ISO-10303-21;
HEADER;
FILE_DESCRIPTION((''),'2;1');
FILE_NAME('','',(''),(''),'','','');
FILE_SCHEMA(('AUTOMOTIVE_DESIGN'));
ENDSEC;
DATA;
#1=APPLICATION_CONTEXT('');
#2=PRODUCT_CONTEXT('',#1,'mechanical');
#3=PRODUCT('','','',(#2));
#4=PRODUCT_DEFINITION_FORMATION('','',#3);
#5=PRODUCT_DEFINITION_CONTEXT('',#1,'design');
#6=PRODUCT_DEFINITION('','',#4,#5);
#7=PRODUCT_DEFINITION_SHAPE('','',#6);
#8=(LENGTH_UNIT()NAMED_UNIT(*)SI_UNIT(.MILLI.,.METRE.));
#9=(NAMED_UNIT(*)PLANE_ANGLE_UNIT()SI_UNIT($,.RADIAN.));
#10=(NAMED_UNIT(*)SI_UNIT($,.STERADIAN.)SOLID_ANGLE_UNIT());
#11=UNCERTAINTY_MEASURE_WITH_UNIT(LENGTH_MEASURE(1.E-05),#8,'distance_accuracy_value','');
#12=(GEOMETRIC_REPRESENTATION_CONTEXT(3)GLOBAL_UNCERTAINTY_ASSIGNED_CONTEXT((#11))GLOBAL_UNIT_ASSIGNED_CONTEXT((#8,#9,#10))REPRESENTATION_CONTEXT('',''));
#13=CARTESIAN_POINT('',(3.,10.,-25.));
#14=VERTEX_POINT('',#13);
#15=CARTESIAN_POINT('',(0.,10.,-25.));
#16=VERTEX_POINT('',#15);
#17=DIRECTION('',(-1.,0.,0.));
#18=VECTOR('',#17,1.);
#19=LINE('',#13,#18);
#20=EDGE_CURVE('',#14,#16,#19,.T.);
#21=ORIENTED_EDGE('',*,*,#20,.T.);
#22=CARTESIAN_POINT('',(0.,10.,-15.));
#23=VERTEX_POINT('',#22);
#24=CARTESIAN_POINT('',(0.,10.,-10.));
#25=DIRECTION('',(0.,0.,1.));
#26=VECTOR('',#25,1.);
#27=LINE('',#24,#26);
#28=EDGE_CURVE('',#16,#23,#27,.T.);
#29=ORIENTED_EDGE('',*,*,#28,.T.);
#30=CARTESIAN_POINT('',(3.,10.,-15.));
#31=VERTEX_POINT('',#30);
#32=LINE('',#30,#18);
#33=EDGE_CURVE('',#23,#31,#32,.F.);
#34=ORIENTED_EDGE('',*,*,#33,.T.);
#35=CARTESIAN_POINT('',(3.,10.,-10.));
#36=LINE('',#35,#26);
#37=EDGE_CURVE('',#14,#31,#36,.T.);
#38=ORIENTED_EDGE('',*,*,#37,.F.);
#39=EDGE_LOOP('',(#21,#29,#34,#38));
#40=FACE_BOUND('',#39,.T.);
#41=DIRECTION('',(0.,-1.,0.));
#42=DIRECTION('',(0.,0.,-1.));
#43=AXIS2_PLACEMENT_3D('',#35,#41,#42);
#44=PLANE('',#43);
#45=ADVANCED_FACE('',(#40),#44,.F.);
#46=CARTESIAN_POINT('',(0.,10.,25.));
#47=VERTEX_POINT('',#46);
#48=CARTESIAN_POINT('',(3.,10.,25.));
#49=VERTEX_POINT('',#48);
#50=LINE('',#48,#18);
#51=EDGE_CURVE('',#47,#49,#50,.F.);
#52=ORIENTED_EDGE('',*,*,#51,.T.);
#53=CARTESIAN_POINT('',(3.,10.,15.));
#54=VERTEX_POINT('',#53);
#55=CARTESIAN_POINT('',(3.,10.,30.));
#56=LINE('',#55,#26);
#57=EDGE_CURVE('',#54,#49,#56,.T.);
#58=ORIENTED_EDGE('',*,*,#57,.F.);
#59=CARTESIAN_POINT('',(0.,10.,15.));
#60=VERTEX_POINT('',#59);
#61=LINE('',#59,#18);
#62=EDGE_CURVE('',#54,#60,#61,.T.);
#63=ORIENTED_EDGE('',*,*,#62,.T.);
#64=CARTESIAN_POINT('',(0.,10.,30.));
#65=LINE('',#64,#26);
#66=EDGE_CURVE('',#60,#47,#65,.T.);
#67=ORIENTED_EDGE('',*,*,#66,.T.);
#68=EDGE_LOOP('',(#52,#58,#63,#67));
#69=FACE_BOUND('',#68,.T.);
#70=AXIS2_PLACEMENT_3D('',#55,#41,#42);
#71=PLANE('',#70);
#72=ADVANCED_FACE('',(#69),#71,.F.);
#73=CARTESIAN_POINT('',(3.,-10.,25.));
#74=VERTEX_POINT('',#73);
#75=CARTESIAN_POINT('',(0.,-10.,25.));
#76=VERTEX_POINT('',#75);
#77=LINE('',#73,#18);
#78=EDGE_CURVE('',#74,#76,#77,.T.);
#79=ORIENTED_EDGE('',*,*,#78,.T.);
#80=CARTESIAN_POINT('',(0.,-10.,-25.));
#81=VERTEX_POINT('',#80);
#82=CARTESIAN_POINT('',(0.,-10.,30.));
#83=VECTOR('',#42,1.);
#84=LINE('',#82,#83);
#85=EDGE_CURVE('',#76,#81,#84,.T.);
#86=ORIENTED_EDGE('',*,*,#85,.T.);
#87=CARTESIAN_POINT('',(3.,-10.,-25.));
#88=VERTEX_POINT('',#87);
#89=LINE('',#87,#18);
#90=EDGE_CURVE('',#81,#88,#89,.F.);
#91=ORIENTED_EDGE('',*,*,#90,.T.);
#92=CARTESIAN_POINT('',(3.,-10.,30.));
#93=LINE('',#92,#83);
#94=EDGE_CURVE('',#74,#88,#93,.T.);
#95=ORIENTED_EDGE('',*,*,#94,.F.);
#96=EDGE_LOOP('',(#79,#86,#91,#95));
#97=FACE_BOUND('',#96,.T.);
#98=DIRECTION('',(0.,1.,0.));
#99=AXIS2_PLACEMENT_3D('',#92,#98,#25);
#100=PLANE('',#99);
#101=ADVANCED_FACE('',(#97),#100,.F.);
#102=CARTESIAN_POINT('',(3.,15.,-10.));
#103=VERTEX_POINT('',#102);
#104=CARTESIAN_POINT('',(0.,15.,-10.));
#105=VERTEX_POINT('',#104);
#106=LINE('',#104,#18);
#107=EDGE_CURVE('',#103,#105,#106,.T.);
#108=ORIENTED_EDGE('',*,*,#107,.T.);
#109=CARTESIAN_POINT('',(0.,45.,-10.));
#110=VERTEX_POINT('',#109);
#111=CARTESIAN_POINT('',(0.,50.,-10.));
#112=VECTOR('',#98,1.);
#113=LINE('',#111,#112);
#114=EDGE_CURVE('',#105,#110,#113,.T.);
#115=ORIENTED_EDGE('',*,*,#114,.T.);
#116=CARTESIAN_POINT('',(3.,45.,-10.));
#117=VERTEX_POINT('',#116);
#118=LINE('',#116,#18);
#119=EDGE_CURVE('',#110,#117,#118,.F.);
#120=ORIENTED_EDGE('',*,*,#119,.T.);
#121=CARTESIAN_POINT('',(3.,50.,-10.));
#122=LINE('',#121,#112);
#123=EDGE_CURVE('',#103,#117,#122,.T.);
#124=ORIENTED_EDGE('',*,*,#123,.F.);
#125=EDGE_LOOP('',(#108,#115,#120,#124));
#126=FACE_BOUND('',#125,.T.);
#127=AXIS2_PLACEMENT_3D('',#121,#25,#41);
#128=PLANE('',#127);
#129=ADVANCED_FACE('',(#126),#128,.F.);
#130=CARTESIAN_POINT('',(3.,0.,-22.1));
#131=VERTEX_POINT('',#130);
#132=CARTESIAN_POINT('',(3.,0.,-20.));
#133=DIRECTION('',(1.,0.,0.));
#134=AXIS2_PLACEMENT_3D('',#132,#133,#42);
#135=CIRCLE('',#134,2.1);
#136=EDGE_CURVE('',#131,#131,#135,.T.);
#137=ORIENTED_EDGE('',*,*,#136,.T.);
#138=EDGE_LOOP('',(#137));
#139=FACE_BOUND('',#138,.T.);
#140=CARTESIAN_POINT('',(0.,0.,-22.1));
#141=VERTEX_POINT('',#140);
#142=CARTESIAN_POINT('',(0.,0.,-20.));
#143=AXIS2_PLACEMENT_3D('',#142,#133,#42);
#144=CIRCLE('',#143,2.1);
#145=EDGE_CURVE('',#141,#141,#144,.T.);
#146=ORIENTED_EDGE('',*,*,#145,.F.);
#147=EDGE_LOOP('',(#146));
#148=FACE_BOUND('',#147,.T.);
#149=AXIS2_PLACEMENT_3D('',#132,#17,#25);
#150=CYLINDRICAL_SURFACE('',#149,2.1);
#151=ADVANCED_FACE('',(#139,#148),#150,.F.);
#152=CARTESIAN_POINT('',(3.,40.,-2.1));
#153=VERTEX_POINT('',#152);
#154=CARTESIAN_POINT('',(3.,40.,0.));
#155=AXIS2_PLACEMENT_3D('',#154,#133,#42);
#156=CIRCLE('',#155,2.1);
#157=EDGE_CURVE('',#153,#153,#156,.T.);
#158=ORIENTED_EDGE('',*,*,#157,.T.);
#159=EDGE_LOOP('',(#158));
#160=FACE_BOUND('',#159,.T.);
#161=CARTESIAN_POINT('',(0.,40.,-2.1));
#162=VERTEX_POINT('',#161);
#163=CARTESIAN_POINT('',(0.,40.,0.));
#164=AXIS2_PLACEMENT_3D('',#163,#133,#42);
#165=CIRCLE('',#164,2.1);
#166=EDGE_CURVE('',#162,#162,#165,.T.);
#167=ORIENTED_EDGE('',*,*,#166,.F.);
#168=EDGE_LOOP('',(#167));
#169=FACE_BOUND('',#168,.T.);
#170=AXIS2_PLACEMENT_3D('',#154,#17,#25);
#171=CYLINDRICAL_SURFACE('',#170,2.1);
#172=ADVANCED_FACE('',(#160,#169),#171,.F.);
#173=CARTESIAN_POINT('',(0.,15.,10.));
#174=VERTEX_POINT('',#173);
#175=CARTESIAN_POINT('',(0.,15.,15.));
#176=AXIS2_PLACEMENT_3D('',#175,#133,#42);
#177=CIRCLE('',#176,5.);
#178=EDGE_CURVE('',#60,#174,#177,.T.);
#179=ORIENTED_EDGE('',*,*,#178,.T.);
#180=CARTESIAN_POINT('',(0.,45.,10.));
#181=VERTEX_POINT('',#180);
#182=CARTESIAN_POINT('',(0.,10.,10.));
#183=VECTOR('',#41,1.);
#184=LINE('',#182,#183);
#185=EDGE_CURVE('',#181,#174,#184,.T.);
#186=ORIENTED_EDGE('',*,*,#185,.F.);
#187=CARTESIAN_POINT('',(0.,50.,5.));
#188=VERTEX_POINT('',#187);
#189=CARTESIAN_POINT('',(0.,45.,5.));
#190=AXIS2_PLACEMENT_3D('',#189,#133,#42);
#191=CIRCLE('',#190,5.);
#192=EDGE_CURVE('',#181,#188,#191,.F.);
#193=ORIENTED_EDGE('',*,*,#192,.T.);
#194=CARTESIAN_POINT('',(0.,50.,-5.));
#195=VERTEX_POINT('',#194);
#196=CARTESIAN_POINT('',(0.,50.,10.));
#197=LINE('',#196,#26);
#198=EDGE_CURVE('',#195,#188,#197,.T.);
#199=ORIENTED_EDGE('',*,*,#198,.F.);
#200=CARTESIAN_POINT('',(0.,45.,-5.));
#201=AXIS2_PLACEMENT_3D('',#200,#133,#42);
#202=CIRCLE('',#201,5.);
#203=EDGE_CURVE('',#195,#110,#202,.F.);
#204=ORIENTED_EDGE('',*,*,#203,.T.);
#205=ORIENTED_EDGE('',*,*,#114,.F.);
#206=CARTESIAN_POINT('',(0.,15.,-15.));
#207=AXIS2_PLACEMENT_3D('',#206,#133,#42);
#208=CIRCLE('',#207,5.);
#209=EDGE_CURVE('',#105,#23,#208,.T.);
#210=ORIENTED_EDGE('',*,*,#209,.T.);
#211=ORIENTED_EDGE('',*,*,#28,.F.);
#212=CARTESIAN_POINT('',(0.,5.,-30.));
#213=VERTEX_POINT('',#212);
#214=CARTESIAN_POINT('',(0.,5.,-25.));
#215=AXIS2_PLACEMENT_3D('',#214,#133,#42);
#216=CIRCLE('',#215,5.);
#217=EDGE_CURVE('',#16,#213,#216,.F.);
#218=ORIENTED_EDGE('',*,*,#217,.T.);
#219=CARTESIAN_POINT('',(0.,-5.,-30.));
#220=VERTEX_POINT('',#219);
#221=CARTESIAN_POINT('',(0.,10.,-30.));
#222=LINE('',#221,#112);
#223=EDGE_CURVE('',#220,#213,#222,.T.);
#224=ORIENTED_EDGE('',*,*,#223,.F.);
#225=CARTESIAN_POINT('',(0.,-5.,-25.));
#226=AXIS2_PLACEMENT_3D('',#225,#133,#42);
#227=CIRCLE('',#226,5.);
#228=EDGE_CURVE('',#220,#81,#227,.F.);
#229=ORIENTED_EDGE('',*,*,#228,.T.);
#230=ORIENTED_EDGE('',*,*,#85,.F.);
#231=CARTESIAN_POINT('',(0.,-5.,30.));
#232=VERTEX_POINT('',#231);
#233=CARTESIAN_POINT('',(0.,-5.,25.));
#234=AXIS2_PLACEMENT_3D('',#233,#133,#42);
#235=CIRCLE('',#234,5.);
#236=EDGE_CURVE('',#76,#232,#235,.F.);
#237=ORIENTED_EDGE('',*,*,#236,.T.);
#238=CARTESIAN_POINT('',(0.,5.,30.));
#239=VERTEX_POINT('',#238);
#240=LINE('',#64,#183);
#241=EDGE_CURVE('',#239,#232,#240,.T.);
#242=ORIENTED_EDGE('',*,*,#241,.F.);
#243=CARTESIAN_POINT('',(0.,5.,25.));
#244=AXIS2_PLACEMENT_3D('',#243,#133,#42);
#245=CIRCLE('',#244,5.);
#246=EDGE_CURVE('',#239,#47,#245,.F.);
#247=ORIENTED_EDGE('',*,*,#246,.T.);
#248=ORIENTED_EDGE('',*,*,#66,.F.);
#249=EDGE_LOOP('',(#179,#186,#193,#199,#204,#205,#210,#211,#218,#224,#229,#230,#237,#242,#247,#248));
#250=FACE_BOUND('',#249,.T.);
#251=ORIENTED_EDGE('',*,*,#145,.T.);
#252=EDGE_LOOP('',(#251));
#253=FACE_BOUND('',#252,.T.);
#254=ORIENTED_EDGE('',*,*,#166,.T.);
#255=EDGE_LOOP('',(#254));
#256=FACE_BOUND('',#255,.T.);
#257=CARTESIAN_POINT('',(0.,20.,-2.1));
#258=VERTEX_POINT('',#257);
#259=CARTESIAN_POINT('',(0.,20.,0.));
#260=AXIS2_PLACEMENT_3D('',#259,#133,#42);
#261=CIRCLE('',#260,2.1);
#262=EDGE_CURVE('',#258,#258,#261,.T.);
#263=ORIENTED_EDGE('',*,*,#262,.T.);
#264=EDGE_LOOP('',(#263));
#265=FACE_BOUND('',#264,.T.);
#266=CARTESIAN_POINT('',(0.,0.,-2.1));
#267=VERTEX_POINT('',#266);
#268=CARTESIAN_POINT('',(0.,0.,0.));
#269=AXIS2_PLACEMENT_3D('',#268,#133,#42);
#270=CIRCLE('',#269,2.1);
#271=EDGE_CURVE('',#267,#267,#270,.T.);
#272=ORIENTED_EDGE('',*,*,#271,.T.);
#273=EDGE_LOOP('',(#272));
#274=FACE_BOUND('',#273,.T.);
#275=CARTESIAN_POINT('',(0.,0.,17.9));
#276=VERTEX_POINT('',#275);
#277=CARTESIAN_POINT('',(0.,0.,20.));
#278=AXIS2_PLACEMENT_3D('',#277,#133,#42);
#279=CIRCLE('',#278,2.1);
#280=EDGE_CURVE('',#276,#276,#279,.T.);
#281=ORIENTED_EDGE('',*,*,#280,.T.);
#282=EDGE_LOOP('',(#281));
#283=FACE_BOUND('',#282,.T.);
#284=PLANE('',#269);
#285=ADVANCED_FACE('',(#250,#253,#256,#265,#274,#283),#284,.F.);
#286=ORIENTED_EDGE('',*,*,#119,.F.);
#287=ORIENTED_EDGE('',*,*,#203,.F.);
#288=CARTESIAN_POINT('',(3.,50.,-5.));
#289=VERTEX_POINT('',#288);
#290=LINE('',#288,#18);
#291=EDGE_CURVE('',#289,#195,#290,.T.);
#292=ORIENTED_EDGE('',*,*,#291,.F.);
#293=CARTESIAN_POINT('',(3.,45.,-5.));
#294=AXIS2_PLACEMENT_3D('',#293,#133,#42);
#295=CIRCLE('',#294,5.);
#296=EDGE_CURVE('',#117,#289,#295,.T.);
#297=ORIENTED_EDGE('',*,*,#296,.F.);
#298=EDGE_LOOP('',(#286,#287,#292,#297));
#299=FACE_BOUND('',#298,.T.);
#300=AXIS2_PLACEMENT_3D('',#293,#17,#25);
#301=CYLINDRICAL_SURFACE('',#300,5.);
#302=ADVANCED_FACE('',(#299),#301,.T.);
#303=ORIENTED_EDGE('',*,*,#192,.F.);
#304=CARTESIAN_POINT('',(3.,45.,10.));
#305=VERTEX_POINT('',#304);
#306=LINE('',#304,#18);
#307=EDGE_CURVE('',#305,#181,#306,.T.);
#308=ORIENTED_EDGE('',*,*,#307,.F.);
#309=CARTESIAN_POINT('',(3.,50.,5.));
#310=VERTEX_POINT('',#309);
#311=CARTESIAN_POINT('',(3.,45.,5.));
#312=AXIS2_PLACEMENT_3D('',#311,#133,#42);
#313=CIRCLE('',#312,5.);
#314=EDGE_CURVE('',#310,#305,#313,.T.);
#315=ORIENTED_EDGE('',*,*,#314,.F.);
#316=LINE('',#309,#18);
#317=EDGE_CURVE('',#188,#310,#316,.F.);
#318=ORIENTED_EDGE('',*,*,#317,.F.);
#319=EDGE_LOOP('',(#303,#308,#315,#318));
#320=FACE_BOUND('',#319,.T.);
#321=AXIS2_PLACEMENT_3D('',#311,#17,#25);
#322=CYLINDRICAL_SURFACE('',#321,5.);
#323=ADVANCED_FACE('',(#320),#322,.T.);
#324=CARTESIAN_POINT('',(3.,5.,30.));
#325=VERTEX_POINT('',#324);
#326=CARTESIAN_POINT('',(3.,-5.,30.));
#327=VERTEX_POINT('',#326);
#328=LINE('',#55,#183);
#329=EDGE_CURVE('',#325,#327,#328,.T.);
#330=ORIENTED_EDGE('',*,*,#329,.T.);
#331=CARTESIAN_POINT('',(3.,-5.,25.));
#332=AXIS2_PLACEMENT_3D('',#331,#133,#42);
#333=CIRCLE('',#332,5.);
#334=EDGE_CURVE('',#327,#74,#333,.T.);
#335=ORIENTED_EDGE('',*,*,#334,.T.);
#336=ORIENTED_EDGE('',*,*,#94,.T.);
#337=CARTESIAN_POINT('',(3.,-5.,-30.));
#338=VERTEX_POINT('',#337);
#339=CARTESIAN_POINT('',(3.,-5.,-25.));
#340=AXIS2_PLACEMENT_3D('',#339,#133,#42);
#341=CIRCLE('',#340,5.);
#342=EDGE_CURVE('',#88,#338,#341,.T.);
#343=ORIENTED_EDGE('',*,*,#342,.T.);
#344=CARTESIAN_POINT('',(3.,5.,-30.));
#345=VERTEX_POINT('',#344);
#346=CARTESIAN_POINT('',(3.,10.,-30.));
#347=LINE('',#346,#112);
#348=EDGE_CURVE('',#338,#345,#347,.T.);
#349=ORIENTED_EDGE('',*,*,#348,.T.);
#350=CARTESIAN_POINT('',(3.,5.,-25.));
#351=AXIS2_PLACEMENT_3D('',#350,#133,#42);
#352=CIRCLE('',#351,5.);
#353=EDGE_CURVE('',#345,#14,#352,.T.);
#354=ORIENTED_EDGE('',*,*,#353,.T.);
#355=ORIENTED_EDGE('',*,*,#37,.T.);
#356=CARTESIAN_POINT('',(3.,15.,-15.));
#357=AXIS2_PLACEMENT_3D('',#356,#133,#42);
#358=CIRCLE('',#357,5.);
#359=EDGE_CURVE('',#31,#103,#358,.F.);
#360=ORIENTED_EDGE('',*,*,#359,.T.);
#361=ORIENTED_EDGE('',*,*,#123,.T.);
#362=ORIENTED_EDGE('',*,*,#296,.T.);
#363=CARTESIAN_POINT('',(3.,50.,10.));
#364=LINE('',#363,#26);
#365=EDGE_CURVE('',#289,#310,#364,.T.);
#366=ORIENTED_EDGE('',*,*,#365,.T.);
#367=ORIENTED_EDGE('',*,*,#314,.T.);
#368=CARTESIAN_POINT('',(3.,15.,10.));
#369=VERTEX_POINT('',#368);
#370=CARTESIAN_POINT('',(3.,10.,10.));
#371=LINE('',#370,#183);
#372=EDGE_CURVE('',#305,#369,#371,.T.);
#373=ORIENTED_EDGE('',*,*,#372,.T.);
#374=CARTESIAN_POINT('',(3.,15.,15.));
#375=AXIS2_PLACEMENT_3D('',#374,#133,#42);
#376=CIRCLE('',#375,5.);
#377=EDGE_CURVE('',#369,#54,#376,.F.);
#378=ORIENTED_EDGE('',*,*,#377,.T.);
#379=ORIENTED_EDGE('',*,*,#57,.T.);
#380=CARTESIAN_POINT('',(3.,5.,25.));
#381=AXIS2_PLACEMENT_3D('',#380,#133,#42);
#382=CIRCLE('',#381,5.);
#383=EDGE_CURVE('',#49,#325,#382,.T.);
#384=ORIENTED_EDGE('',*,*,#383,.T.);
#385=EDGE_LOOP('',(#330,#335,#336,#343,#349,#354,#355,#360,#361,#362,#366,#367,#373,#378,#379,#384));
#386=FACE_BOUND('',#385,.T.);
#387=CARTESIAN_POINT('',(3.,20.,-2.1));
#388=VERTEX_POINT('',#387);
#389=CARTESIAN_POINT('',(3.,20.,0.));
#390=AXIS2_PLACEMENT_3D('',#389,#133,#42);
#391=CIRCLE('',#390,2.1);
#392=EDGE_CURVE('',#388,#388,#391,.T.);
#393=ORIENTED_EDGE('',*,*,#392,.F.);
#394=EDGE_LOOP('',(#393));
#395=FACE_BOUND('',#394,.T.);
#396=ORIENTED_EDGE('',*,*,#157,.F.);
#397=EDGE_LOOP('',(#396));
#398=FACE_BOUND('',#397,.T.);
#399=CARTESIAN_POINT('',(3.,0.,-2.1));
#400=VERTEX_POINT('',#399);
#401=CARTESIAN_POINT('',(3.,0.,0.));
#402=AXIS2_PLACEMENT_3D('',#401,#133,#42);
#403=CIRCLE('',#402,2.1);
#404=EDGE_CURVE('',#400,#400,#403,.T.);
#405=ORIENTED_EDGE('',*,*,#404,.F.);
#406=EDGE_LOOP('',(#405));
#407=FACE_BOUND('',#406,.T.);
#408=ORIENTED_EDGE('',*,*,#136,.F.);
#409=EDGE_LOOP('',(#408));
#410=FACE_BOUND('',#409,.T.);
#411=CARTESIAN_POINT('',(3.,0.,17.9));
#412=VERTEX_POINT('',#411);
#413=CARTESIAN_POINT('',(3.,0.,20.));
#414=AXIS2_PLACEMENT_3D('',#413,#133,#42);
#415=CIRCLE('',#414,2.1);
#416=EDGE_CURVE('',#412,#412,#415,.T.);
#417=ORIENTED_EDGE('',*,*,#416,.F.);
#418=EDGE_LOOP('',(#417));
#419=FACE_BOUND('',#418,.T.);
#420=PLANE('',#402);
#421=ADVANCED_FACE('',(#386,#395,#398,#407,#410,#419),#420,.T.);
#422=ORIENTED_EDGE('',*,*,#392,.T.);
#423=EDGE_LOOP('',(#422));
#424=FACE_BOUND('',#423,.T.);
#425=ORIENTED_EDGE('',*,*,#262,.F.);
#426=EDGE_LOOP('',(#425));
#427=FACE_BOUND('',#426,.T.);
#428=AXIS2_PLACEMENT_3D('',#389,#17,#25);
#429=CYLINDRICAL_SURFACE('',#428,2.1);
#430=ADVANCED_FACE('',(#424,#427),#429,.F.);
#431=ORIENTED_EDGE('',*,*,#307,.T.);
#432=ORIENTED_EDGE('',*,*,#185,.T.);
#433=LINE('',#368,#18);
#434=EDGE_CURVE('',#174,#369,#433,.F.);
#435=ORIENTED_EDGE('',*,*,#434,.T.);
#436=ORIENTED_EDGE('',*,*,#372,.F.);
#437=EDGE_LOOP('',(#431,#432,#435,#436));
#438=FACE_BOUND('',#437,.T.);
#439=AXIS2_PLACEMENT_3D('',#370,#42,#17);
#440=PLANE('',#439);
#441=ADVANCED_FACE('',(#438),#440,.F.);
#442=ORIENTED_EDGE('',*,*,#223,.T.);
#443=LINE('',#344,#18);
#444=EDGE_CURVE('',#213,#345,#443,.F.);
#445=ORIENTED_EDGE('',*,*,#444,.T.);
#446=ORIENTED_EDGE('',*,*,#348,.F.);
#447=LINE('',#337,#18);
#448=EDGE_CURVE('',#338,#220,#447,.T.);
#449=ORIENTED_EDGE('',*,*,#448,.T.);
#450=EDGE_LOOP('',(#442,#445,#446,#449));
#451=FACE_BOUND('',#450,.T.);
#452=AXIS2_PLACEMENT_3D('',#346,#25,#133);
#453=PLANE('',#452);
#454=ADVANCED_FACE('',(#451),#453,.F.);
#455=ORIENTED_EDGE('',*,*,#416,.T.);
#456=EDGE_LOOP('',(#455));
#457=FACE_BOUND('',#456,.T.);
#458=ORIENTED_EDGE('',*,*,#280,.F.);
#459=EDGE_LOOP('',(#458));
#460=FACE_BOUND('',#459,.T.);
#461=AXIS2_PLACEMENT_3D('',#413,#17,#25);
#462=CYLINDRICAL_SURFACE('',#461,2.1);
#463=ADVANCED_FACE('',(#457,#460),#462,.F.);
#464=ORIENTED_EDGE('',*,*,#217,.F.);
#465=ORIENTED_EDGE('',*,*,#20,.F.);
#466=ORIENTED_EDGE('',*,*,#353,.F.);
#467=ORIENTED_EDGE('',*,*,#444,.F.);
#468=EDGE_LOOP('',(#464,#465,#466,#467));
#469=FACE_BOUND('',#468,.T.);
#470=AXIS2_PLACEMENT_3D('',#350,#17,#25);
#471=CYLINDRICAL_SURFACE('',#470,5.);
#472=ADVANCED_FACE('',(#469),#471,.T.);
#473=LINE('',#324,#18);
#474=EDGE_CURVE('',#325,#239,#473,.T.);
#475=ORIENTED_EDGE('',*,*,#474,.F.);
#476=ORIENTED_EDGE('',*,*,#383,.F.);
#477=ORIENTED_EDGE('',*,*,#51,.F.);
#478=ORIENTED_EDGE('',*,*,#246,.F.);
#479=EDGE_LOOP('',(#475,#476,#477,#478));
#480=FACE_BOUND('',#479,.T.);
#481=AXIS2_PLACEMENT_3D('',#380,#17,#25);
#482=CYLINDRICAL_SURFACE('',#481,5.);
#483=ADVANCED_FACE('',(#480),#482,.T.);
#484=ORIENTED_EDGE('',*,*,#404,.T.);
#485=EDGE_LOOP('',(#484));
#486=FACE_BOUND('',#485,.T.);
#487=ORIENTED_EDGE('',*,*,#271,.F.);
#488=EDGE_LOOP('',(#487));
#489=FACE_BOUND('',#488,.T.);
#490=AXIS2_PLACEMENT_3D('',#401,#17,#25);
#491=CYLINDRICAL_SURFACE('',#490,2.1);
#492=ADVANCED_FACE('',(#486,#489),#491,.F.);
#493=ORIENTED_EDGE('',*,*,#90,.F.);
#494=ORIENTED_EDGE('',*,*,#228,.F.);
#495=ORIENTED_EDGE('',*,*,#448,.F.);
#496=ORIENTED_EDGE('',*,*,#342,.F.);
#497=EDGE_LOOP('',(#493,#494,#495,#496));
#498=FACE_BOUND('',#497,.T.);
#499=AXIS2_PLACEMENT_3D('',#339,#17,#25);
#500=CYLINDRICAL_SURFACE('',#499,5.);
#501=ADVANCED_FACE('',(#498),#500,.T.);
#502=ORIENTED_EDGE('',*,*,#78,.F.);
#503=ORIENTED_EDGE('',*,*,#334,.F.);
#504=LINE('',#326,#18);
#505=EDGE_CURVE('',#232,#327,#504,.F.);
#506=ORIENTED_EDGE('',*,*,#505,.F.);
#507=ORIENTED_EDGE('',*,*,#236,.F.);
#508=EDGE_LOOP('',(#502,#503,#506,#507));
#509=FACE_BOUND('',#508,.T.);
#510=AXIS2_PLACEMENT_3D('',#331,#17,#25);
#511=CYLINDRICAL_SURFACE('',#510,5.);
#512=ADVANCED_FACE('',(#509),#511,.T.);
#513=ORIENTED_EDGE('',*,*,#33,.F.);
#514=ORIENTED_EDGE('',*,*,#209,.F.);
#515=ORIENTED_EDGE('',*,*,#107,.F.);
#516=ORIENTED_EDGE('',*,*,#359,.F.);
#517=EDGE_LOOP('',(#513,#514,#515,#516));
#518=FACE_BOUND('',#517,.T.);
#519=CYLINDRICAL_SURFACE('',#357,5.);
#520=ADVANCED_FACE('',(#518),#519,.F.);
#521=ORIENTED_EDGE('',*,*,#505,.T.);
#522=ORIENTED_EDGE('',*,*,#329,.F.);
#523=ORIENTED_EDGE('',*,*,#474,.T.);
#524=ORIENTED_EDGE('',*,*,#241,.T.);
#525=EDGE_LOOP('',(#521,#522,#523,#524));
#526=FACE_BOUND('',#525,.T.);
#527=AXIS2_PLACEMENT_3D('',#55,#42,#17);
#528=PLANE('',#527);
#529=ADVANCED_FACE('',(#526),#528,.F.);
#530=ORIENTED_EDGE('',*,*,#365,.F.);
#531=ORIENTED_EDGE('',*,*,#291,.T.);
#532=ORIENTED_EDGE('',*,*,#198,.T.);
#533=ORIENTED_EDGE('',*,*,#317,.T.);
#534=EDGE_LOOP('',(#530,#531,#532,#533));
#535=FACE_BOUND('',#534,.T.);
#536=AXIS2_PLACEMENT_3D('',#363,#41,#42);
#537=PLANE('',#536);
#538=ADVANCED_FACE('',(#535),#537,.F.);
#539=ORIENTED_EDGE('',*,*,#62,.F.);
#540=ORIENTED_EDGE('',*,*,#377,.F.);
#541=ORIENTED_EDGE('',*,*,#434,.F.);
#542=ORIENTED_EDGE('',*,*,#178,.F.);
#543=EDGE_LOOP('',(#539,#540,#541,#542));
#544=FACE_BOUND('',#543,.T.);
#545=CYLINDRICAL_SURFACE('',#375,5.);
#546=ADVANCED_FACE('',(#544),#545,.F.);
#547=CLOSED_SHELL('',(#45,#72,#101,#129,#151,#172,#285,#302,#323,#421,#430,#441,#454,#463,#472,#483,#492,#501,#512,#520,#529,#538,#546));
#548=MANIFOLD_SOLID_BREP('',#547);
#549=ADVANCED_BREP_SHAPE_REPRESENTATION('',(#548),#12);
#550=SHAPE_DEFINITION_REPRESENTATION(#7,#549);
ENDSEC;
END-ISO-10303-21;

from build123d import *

# Parameters (mm, degrees)
SKETCH_1_R      = 2.1
EXTRUDE_1_DEPTH = 3
FILLET_1_R      = 5


with BuildPart() as part:
    # 草图1 → 凸台-拉伸1 (new body)
    with BuildSketch(Plane(origin=(0, 0, 0), x_dir=(0, 0, -1), z_dir=(1, 0, 0))):
        Polygon((-10, 10), (-10, 50), (10, 50), (10, 10), (30, 10), (30, -10), (-30, -10), (-30, 10), align=None)
        with Locations((-20, 0)):
            Circle(SKETCH_1_R, mode=Mode.SUBTRACT)
        Circle(SKETCH_1_R, mode=Mode.SUBTRACT)
        with Locations((20, 0)):
            Circle(SKETCH_1_R, mode=Mode.SUBTRACT)
        with Locations((0, 20)):
            Circle(SKETCH_1_R, mode=Mode.SUBTRACT)
        with Locations((0, 40)):
            Circle(SKETCH_1_R, mode=Mode.SUBTRACT)
    extrude(amount=EXTRUDE_1_DEPTH)

    # 圆角1
    fillet_1_edges = [part.edges().sort_by_distance(p)[0] for p in [
        (1.5, -10, -30),
        (1.5, -10, 30),
        (1.5, 10, 30),
        (1.5, 10, 10),
        (1.5, 50, 10),
        (1.5, 50, -10),
        (1.5, 10, -10),
        (1.5, 10, -30),
    ]]
    fillet(fillet_1_edges, radius=FILLET_1_R)


solid = part.part
